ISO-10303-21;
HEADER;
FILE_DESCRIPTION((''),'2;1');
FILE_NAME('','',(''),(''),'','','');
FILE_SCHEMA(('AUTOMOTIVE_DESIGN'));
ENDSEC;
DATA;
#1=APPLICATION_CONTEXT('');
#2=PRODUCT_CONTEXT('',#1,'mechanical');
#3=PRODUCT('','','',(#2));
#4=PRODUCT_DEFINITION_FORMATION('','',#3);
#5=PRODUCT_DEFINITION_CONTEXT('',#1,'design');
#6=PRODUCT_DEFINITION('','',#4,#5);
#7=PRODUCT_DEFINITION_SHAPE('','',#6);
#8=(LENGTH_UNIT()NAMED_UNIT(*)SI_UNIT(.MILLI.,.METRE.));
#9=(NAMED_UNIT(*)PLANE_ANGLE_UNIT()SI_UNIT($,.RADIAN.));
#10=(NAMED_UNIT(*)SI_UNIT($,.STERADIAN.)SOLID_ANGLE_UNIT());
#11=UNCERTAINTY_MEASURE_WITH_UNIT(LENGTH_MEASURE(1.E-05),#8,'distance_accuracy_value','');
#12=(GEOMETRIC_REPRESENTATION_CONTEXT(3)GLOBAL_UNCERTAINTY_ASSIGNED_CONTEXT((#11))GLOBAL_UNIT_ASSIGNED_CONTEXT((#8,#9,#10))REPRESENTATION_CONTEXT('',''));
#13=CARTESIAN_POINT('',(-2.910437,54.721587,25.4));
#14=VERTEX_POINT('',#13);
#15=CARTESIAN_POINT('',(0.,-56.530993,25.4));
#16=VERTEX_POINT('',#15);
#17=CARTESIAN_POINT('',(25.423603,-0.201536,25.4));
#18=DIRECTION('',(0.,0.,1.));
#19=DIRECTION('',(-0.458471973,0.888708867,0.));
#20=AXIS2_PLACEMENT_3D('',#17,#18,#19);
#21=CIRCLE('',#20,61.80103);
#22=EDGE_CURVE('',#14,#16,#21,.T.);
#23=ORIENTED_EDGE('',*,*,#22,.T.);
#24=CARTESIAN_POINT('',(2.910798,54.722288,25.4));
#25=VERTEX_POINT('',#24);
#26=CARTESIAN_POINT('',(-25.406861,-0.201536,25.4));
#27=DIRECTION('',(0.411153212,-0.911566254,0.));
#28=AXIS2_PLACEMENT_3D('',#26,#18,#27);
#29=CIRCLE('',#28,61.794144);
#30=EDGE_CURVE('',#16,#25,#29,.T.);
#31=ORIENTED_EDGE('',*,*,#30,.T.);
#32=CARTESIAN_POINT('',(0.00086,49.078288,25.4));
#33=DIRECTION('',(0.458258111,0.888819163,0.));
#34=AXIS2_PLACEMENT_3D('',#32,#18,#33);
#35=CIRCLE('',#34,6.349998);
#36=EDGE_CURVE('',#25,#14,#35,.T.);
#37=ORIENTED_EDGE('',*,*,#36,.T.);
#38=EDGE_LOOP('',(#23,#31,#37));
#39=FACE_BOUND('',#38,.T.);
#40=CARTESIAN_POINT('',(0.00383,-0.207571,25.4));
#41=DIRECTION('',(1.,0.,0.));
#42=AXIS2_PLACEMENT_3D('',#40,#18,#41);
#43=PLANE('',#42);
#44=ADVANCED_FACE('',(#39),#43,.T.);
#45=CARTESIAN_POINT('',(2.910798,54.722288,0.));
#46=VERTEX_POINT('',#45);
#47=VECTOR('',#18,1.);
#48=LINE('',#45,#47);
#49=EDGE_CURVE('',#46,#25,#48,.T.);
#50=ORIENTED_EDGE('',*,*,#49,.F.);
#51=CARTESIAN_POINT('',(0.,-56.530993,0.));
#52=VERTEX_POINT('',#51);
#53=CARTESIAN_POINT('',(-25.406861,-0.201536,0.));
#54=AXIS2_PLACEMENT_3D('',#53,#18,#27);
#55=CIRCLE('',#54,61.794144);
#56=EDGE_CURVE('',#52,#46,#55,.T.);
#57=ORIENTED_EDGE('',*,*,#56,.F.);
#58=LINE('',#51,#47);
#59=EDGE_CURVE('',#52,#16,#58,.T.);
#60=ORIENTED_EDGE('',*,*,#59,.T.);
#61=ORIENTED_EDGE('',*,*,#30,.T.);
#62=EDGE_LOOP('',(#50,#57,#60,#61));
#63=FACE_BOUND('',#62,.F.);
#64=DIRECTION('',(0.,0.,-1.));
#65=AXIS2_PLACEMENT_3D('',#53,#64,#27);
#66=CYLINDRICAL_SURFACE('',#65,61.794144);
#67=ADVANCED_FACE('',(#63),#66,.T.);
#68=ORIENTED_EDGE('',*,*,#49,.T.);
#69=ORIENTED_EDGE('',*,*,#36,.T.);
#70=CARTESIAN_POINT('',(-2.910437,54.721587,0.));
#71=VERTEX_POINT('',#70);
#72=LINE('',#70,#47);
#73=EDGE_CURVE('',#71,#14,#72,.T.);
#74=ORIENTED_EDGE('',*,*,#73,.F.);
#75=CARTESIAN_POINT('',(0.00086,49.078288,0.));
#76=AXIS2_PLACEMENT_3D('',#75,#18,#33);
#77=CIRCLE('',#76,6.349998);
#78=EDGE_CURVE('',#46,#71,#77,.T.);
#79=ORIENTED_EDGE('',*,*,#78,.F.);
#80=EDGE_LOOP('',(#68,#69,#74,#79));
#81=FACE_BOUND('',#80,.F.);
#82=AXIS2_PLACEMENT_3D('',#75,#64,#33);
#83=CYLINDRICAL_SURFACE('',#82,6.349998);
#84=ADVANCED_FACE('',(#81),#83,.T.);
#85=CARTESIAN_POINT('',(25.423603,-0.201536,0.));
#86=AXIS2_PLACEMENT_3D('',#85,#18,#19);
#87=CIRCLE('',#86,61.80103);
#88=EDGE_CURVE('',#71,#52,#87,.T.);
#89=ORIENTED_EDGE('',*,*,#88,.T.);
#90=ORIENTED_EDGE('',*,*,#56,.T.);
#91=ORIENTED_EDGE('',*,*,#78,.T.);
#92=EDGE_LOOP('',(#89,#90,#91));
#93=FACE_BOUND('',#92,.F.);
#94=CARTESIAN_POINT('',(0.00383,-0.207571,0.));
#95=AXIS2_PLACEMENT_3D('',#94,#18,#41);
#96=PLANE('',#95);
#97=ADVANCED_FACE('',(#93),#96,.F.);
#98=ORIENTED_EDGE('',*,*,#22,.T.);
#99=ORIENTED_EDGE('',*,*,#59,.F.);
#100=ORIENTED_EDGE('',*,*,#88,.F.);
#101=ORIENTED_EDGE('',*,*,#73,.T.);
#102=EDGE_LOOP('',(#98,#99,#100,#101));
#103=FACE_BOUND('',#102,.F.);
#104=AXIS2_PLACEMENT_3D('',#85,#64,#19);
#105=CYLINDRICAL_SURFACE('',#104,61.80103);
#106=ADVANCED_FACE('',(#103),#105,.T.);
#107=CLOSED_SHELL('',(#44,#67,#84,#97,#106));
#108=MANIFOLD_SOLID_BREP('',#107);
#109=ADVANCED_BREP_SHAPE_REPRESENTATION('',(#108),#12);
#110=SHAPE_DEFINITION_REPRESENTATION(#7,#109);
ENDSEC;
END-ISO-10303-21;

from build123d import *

# Parameters (mm, degrees)
F1_DEPTH = 25.4


with BuildPart() as f1:
    # F0 (on Top) → F1 (new body)
    with BuildSketch(Plane.XY):
        with BuildLine():
            ThreePointArc((-2.910437, 54.721587), (-36.35629, -1.817737), (0, -56.530993))
            ThreePointArc((0, -56.530993), (36.366144, -1.817747), (2.910798, 54.722288))
            ThreePointArc((2.910798, 54.722288), (9.6e-05, 55.428286), (-2.910437, 54.721587))
        make_face()
    extrude(amount=F1_DEPTH)


solid = f1.part
